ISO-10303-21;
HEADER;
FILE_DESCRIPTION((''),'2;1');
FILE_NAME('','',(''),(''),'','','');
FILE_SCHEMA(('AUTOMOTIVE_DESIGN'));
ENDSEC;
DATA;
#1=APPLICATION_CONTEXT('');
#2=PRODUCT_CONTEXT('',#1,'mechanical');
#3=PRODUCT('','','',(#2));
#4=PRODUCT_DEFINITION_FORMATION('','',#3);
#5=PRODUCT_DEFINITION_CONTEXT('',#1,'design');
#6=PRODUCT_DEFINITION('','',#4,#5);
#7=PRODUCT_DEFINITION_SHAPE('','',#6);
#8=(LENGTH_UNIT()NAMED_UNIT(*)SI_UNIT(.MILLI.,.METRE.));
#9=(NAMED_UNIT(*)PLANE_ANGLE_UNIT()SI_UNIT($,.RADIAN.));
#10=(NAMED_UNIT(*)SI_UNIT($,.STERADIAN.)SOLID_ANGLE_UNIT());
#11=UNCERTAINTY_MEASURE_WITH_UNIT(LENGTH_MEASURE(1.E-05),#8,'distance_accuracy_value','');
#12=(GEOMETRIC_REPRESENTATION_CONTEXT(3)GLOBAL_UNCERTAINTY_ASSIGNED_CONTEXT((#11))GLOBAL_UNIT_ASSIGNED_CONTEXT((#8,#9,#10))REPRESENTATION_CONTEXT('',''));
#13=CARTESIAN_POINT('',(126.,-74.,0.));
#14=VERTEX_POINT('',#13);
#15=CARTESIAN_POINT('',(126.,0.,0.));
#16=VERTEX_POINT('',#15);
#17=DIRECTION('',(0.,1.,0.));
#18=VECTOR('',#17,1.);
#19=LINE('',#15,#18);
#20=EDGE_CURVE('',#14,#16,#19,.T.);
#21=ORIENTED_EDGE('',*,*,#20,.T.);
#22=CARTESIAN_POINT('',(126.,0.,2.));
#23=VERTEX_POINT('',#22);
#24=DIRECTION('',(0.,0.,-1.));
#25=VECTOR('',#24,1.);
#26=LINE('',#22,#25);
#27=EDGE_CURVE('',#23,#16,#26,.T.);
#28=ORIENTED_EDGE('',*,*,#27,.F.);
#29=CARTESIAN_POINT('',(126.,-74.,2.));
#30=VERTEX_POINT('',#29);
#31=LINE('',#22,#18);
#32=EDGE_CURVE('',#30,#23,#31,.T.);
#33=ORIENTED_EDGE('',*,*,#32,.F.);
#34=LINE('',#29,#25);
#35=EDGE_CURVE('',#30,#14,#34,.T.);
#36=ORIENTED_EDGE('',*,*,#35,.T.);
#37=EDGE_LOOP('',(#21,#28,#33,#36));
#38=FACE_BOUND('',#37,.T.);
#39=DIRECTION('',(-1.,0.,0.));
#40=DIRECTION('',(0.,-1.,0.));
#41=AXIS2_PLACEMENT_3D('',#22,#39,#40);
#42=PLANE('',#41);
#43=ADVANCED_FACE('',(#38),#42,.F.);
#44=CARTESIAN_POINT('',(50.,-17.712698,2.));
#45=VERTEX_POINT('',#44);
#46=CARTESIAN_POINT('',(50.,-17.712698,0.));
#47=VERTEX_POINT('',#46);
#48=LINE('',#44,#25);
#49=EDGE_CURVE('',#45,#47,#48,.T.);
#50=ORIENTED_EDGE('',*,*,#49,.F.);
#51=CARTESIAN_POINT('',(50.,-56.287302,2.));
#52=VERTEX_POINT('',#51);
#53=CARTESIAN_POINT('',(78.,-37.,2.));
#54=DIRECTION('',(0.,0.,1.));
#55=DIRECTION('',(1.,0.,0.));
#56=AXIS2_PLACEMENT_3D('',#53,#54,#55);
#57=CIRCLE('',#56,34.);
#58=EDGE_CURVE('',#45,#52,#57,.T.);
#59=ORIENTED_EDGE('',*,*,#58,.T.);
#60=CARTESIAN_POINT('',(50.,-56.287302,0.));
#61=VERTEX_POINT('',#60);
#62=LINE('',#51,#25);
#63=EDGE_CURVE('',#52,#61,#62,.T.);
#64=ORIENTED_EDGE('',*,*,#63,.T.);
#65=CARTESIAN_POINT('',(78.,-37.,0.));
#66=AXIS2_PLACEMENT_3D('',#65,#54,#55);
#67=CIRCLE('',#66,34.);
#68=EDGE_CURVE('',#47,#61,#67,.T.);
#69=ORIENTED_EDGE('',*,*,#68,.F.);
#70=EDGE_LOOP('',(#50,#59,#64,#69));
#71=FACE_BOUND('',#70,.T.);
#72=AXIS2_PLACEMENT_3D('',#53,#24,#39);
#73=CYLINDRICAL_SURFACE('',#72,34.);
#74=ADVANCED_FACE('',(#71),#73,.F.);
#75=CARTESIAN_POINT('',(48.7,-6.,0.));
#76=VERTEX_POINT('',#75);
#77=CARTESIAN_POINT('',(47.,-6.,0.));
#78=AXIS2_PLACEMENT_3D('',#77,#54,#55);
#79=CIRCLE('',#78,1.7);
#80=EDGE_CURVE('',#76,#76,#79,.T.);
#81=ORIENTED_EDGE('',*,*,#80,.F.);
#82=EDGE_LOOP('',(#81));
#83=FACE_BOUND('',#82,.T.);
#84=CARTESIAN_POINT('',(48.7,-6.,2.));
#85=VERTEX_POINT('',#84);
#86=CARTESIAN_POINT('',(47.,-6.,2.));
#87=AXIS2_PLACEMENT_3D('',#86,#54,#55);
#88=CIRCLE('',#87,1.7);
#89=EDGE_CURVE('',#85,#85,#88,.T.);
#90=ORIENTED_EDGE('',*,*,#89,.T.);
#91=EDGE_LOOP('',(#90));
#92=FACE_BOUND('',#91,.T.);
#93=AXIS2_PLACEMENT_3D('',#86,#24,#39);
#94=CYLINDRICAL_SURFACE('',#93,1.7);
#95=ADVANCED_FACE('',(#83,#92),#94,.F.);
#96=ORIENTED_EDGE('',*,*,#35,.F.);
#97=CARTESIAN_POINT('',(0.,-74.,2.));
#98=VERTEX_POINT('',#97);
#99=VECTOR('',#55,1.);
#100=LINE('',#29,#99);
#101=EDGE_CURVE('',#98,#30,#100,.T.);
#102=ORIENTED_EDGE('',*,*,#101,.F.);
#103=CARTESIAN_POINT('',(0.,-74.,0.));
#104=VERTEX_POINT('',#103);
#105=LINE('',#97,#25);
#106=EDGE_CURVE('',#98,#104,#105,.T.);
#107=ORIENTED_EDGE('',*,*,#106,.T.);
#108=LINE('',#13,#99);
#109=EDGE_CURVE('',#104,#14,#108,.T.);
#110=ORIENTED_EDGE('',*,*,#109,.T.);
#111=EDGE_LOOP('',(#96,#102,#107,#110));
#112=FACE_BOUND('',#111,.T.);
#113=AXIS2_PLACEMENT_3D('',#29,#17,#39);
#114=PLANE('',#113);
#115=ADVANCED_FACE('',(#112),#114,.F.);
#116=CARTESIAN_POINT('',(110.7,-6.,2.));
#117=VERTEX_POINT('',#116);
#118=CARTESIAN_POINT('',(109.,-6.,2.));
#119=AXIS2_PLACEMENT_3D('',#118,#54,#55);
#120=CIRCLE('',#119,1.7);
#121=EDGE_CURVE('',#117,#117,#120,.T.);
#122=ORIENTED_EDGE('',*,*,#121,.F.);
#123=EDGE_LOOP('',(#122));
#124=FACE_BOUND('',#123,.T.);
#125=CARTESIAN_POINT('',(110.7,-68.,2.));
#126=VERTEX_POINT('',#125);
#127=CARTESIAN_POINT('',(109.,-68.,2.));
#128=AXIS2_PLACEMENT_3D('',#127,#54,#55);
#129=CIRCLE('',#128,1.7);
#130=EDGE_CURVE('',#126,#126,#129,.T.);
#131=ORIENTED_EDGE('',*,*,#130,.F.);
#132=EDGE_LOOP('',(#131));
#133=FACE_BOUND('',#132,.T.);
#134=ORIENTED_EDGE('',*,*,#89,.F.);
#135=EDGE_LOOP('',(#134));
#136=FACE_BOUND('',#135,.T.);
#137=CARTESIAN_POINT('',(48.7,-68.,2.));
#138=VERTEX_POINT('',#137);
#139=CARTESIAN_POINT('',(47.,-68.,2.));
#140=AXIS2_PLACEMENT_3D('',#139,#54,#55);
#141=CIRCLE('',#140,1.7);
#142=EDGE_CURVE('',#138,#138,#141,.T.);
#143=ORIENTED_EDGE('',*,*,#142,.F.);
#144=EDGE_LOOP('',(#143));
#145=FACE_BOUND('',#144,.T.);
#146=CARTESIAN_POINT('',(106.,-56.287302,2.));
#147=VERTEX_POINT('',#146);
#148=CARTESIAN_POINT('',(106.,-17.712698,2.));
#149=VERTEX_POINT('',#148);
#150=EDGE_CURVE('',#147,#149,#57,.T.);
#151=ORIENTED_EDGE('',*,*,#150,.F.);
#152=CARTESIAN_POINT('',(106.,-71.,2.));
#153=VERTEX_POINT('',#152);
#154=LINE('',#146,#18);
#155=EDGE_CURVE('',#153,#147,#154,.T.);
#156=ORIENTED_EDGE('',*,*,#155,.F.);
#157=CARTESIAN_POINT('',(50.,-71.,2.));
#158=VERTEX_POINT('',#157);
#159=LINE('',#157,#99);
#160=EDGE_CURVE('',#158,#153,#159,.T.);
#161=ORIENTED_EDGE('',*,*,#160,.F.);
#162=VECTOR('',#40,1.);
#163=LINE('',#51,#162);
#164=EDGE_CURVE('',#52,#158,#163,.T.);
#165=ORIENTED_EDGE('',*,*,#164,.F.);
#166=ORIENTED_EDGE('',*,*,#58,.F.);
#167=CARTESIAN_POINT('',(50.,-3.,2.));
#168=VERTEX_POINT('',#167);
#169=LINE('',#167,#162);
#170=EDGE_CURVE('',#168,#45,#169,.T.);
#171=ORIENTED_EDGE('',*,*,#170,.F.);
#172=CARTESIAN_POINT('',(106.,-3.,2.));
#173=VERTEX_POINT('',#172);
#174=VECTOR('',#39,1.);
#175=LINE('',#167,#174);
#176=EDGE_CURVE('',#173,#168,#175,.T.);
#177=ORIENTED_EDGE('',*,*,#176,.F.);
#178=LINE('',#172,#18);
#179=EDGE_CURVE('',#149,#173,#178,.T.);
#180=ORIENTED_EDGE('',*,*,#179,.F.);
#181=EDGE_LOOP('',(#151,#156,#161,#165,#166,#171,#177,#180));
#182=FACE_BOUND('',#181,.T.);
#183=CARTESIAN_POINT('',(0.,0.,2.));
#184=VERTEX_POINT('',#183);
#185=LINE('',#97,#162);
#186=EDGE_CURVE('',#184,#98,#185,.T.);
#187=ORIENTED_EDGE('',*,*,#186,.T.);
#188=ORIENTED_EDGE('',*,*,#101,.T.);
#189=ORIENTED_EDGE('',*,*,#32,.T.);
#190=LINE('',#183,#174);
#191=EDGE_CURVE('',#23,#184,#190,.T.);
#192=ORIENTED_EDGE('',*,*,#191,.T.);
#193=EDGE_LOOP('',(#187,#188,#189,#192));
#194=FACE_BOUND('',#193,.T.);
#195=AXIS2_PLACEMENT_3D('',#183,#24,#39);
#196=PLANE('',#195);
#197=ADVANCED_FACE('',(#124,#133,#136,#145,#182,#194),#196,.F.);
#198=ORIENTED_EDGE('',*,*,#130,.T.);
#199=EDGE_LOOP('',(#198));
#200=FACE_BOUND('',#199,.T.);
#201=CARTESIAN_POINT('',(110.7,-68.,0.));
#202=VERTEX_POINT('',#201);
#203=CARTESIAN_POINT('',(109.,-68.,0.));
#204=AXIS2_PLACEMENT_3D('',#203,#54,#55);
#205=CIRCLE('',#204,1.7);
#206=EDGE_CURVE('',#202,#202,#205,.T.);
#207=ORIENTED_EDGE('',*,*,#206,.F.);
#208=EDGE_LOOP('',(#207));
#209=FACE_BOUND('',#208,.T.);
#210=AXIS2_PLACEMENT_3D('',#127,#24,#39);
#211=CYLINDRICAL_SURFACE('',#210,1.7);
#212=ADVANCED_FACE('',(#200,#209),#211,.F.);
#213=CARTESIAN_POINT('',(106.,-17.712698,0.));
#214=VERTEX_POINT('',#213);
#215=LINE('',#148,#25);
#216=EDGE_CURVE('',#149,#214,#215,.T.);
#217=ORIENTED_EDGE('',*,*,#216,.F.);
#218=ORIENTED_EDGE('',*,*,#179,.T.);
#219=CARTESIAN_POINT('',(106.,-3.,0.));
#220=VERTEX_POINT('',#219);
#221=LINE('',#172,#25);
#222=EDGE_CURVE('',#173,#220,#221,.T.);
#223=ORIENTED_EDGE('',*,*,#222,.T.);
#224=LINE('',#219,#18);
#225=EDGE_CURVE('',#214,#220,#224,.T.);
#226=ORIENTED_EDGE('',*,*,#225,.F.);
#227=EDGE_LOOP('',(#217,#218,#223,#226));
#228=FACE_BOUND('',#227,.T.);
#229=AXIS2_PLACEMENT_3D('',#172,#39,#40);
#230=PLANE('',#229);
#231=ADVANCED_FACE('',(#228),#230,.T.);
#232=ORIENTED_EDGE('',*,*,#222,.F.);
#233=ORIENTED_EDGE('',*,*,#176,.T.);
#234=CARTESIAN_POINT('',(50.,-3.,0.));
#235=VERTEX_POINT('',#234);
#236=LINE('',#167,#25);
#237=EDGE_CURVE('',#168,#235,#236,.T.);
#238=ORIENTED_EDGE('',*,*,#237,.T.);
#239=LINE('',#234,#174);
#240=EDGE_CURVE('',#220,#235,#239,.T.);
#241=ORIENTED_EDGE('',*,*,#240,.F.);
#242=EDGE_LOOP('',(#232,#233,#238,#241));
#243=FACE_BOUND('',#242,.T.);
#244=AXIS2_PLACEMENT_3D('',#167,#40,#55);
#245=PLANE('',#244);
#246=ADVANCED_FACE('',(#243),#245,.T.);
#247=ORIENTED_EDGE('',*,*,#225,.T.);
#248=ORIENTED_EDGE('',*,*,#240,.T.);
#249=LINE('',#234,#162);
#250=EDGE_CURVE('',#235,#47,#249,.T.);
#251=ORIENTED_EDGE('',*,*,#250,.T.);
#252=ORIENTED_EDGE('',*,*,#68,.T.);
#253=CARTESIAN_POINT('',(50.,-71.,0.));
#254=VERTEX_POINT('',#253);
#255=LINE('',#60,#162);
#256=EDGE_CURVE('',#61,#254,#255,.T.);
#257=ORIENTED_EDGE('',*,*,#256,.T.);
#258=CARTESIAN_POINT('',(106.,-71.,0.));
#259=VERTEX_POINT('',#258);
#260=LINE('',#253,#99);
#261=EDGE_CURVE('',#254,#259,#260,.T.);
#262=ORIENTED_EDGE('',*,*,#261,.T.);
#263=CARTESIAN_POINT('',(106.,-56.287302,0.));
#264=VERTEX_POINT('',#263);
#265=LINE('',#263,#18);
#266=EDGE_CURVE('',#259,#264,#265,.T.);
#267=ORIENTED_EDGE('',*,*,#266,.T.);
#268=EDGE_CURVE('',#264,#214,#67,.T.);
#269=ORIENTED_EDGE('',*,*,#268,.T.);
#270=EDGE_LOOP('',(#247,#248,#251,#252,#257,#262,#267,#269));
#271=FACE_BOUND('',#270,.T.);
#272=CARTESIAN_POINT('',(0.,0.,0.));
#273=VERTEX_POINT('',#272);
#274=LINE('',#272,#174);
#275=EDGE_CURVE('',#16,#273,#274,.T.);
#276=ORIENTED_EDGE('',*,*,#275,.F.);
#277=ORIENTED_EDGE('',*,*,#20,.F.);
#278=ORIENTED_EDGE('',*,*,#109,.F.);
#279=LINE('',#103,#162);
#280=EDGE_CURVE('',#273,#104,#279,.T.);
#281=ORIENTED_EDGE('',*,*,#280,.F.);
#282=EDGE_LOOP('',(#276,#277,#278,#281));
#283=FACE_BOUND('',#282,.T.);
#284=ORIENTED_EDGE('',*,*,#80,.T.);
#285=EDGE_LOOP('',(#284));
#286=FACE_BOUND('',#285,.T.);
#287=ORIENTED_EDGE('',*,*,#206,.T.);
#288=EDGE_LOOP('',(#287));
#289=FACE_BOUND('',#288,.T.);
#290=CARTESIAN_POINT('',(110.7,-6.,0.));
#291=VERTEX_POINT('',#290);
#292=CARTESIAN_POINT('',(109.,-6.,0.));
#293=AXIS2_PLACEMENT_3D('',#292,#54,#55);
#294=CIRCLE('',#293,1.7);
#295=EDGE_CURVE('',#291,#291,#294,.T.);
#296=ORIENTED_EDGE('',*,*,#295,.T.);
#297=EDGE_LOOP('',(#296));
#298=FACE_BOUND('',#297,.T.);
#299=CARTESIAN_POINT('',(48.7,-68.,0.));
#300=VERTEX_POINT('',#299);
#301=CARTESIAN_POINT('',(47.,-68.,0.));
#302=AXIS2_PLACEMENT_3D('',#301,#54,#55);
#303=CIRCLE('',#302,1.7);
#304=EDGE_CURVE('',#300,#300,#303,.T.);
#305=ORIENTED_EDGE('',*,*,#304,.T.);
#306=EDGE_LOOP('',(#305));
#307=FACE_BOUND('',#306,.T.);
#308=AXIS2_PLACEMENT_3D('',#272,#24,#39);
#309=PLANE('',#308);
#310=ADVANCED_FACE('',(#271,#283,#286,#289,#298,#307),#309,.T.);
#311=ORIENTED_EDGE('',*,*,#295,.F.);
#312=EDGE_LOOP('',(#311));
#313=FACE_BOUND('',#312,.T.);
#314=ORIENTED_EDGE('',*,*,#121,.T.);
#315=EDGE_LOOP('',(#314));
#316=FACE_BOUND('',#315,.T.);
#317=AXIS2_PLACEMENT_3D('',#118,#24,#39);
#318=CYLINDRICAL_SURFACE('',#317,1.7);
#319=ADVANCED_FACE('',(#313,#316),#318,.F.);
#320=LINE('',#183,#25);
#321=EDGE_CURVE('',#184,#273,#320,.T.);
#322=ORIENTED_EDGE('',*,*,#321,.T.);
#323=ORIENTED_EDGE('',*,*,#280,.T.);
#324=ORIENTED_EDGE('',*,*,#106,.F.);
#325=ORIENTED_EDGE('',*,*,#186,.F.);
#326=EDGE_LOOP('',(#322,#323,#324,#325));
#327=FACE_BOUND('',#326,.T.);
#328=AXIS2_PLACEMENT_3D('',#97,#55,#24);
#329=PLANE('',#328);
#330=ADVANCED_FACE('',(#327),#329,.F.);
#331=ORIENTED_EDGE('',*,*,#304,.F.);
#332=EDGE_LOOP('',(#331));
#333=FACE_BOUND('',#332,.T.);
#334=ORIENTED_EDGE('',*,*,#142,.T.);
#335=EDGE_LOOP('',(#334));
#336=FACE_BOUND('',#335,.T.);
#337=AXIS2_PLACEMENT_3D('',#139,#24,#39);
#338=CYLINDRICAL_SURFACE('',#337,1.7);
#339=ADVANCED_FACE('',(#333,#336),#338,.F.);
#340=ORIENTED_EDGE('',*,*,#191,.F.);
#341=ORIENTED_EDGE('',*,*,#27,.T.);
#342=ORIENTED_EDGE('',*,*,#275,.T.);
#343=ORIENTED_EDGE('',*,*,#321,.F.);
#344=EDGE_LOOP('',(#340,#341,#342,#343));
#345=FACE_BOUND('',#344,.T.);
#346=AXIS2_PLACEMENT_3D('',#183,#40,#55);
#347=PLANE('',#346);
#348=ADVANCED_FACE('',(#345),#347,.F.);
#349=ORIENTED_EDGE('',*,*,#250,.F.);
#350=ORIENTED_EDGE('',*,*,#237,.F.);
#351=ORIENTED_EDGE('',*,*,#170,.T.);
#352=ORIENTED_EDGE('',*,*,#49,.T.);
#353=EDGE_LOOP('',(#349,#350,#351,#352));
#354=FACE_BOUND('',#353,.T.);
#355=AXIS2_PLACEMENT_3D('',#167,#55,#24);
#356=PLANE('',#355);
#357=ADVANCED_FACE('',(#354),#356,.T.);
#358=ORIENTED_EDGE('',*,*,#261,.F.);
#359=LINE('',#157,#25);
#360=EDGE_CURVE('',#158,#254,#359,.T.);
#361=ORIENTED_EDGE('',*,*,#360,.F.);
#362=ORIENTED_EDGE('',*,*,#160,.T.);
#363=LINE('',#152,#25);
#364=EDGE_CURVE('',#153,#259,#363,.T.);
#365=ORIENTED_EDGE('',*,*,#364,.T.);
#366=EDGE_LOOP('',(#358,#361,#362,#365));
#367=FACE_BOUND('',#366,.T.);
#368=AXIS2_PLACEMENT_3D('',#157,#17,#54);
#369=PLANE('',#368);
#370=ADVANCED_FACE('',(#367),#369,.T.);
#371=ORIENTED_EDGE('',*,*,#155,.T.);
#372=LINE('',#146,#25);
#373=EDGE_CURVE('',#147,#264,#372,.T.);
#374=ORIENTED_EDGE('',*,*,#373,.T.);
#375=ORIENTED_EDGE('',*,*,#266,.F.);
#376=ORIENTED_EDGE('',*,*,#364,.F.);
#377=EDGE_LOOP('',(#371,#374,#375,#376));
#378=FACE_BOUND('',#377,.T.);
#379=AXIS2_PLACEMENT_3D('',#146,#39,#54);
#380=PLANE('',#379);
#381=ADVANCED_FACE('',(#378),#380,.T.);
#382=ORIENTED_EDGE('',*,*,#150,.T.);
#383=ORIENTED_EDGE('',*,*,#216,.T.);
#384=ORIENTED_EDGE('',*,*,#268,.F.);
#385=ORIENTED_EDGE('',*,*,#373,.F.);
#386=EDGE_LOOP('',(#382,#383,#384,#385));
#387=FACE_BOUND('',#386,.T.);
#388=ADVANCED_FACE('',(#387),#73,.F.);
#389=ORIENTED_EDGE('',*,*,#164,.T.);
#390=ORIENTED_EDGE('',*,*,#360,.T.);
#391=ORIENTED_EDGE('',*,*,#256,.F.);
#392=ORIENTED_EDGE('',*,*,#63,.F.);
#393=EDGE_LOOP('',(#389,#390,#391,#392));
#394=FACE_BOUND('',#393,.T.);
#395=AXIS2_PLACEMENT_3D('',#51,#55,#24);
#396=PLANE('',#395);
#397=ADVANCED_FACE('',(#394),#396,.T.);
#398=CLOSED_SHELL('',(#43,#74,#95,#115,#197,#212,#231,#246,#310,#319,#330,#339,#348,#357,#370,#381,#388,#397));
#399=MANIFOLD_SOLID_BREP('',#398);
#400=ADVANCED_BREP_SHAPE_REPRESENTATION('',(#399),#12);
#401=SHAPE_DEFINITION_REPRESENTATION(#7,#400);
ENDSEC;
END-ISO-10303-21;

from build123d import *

# Parameters (mm, degrees)
ESBO_O1_W                = 126
ESBO_O1_H                = 74
ESBO_O1_R                = 1.7
RESSALTO_EXTRUS_O1_DEPTH = 2


with BuildPart() as part:
    # Esboço1 → Ressalto-extrusão1 (new body)
    with BuildSketch(Plane.XY):
        with Locations((63, -37)):
            Rectangle(ESBO_O1_W, ESBO_O1_H)
        with Locations((47, -6)):
            Circle(ESBO_O1_R, mode=Mode.SUBTRACT)
        with Locations((109, -6)):
            Circle(ESBO_O1_R, mode=Mode.SUBTRACT)
        with Locations((47, -68)):
            Circle(ESBO_O1_R, mode=Mode.SUBTRACT)
        with Locations((109, -68)):
            Circle(ESBO_O1_R, mode=Mode.SUBTRACT)
        with BuildLine():
            Line((50, -3), (50, -17.712698478))
            ThreePointArc((50, -17.712698478), (44, -37), (50, -56.287301522))
            Line((50, -56.287301522), (50, -71))
            Line((50, -71), (106, -71))
            Line((106, -71), (106, -56.287301522))
            ThreePointArc((106, -56.287301522), (112, -37), (106, -17.712698478))
            Line((106, -17.712698478), (106, -3))
            Line((106, -3), (50, -3))
        make_face(mode=Mode.SUBTRACT)
    extrude(amount=RESSALTO_EXTRUS_O1_DEPTH)


solid = part.part
